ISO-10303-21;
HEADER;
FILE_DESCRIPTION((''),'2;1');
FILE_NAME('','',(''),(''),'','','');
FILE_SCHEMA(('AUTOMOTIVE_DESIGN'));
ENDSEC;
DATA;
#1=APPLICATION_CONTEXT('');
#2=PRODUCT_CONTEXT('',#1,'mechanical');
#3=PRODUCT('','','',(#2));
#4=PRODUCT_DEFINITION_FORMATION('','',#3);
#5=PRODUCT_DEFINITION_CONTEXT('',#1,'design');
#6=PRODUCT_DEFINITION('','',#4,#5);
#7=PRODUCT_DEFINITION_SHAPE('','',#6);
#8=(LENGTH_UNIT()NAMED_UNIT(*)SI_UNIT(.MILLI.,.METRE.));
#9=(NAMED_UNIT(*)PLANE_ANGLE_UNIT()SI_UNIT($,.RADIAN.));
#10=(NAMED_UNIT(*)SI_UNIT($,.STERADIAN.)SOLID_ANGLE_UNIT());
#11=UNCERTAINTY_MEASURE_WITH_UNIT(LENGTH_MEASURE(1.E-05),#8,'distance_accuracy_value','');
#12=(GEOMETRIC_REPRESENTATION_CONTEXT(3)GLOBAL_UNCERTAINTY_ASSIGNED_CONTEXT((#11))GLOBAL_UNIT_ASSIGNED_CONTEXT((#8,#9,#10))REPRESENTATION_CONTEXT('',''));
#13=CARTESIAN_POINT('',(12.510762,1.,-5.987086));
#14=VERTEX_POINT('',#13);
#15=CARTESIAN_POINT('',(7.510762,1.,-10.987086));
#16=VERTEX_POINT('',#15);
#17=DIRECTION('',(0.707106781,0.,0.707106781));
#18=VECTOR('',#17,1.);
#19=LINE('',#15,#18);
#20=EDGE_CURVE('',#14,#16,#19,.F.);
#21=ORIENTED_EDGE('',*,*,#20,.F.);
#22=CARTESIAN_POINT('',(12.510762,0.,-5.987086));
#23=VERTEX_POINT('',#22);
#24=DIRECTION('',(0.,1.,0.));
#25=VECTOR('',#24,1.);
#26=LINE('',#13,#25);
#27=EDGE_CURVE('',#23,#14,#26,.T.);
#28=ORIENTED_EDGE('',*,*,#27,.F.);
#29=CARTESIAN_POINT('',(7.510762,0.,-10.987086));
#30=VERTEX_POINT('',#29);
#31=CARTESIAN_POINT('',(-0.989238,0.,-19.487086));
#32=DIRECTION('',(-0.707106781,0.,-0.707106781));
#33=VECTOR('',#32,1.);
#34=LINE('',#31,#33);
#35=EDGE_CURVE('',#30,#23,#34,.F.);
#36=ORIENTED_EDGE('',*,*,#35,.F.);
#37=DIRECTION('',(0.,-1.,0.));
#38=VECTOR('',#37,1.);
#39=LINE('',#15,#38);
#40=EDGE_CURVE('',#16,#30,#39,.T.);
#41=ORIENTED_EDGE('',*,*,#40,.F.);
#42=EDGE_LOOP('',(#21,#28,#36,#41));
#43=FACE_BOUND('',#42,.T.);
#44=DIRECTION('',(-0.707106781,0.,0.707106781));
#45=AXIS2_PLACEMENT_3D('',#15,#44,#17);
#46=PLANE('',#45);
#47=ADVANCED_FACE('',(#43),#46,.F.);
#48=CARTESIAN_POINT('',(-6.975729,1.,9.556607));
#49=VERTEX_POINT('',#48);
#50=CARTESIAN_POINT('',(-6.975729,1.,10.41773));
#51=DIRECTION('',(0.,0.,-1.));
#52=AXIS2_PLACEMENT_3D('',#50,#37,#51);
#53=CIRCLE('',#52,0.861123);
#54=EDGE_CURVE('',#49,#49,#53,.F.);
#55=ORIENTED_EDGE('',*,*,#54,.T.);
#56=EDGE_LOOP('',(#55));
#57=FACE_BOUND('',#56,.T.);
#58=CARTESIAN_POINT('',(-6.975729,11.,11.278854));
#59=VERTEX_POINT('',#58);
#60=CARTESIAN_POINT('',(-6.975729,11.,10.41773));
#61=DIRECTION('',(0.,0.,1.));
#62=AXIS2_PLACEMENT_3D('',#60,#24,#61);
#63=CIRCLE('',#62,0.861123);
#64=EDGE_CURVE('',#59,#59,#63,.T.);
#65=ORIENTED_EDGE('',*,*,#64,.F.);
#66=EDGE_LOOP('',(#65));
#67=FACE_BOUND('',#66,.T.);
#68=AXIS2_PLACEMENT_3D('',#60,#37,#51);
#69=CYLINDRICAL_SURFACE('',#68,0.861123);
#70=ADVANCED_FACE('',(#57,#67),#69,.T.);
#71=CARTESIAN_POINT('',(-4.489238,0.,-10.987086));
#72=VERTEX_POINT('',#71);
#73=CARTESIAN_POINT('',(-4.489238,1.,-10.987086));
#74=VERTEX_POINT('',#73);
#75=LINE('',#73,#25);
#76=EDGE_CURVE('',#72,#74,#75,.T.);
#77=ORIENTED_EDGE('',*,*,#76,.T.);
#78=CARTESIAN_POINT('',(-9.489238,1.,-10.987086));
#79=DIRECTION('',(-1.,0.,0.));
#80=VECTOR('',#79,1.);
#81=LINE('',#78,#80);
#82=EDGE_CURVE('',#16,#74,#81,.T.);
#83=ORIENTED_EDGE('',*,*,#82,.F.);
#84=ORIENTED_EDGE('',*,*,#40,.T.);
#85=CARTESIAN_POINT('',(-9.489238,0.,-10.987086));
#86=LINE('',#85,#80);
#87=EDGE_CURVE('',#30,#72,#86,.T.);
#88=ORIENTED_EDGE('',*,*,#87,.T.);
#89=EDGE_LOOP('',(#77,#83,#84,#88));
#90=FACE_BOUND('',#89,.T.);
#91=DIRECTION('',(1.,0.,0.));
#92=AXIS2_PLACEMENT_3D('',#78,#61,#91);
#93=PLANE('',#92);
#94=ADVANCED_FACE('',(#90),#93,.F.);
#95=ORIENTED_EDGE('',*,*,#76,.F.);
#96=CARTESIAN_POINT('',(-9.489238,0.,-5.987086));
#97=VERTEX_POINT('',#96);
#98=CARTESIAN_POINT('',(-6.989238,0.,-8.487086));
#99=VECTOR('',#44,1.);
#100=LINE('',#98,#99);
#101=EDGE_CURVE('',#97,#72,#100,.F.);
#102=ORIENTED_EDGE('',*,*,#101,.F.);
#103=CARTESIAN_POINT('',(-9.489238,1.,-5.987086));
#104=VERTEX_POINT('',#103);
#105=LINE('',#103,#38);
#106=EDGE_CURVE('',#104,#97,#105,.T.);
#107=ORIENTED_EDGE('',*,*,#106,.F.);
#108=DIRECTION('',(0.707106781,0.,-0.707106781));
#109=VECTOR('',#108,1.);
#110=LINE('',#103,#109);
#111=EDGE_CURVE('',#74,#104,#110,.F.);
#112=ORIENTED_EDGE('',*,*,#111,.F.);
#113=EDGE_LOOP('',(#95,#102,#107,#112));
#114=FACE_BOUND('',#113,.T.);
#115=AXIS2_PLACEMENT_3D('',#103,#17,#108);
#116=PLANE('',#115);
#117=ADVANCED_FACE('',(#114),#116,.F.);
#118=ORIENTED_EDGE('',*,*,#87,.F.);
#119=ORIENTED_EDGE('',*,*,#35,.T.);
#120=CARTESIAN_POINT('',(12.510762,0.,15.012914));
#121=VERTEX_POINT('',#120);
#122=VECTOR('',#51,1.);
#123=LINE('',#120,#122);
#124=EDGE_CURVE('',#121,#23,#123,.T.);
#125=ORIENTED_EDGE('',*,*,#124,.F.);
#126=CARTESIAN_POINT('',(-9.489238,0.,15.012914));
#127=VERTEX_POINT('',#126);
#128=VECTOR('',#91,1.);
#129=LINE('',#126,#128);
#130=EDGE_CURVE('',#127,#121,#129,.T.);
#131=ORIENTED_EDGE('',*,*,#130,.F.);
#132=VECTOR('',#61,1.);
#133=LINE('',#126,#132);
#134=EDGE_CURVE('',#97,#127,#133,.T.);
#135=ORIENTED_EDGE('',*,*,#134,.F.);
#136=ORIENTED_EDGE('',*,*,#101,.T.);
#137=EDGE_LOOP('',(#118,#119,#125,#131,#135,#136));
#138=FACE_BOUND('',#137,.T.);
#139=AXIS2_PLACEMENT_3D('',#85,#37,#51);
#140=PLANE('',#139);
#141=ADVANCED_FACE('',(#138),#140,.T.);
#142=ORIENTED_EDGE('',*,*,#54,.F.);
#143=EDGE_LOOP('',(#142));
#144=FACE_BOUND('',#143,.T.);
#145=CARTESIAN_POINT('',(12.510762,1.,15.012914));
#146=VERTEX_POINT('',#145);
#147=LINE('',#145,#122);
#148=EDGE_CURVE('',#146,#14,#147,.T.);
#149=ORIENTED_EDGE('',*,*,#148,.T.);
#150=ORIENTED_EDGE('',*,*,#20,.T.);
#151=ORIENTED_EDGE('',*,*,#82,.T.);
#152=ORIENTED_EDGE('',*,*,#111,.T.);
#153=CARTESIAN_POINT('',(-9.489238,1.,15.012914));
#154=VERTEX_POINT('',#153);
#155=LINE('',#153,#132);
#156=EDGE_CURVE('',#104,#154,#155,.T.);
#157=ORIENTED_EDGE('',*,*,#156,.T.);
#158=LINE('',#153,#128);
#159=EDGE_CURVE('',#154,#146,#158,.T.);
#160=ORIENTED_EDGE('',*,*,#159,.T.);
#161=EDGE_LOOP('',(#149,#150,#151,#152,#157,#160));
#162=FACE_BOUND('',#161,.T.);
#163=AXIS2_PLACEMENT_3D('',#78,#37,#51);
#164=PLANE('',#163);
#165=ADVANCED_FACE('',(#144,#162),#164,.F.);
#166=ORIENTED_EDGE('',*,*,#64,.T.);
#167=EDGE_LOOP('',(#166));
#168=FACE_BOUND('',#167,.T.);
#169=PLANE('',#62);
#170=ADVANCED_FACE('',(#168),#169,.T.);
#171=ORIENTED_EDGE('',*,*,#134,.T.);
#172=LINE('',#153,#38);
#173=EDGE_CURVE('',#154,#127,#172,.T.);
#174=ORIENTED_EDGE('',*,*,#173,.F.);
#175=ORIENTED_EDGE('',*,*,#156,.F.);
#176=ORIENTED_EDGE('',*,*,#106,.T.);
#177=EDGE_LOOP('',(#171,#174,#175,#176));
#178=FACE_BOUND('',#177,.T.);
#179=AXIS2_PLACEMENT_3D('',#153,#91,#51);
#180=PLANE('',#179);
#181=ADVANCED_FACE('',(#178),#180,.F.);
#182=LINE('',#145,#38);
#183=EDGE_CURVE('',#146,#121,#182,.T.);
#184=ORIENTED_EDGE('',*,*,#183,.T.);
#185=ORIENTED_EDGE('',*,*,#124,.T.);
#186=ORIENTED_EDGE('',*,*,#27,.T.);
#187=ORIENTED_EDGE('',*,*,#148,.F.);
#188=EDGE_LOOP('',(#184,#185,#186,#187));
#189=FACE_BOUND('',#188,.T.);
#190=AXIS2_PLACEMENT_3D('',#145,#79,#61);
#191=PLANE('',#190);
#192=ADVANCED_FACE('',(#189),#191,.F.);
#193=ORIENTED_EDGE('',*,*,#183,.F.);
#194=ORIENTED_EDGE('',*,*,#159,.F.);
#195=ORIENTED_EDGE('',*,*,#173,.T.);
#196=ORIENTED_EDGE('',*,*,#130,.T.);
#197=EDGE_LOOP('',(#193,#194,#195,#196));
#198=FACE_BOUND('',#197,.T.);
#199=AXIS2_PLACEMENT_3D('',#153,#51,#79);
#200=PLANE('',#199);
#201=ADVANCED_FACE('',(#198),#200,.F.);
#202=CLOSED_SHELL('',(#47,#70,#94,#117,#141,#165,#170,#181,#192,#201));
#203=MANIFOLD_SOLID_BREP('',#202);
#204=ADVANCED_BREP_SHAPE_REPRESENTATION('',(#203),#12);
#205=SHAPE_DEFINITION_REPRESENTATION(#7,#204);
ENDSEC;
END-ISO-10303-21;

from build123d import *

# Parameters (mm, degrees)
SKETCH1_W      = 22
SKETCH1_H      = 26
EXTRUDE1_DEPTH = 1
CHAMFER1_SIZE  = 5
SKETCH2_R      = 0.861123247
EXTRUDE2_DEPTH = 10


with BuildPart() as part:
    # Sketch1 → Extrude1 (new body)
    with BuildSketch(Plane(origin=(0, 0, 0), x_dir=(1, 0, 0), z_dir=(0, 1, 0))):
        with Locations((1.510761589, -2.012913907)):
            Rectangle(SKETCH1_W, SKETCH1_H)
    extrude(amount=EXTRUDE1_DEPTH)

    # Chamfer1
    chamfer1_edges = [part.edges().sort_by_distance(p)[0] for p in [
        (-9.489238411, 0.5, -10.987086093),
        (12.510761589, 0.5, -10.987086093),
    ]]
    chamfer(chamfer1_edges, length=CHAMFER1_SIZE)

    # Sketch2 → Extrude2 (add)
    with BuildSketch(Plane(origin=(0, 1, 0), x_dir=(1, 0, 0), z_dir=(0, 1, 0))):
        with Locations(Location((-6.975728575, -10.417730268, 0), (0, 0, 90))):  # turned: the seam where the file's is
            Circle(SKETCH2_R)
    extrude(amount=EXTRUDE2_DEPTH)


solid = part.part
